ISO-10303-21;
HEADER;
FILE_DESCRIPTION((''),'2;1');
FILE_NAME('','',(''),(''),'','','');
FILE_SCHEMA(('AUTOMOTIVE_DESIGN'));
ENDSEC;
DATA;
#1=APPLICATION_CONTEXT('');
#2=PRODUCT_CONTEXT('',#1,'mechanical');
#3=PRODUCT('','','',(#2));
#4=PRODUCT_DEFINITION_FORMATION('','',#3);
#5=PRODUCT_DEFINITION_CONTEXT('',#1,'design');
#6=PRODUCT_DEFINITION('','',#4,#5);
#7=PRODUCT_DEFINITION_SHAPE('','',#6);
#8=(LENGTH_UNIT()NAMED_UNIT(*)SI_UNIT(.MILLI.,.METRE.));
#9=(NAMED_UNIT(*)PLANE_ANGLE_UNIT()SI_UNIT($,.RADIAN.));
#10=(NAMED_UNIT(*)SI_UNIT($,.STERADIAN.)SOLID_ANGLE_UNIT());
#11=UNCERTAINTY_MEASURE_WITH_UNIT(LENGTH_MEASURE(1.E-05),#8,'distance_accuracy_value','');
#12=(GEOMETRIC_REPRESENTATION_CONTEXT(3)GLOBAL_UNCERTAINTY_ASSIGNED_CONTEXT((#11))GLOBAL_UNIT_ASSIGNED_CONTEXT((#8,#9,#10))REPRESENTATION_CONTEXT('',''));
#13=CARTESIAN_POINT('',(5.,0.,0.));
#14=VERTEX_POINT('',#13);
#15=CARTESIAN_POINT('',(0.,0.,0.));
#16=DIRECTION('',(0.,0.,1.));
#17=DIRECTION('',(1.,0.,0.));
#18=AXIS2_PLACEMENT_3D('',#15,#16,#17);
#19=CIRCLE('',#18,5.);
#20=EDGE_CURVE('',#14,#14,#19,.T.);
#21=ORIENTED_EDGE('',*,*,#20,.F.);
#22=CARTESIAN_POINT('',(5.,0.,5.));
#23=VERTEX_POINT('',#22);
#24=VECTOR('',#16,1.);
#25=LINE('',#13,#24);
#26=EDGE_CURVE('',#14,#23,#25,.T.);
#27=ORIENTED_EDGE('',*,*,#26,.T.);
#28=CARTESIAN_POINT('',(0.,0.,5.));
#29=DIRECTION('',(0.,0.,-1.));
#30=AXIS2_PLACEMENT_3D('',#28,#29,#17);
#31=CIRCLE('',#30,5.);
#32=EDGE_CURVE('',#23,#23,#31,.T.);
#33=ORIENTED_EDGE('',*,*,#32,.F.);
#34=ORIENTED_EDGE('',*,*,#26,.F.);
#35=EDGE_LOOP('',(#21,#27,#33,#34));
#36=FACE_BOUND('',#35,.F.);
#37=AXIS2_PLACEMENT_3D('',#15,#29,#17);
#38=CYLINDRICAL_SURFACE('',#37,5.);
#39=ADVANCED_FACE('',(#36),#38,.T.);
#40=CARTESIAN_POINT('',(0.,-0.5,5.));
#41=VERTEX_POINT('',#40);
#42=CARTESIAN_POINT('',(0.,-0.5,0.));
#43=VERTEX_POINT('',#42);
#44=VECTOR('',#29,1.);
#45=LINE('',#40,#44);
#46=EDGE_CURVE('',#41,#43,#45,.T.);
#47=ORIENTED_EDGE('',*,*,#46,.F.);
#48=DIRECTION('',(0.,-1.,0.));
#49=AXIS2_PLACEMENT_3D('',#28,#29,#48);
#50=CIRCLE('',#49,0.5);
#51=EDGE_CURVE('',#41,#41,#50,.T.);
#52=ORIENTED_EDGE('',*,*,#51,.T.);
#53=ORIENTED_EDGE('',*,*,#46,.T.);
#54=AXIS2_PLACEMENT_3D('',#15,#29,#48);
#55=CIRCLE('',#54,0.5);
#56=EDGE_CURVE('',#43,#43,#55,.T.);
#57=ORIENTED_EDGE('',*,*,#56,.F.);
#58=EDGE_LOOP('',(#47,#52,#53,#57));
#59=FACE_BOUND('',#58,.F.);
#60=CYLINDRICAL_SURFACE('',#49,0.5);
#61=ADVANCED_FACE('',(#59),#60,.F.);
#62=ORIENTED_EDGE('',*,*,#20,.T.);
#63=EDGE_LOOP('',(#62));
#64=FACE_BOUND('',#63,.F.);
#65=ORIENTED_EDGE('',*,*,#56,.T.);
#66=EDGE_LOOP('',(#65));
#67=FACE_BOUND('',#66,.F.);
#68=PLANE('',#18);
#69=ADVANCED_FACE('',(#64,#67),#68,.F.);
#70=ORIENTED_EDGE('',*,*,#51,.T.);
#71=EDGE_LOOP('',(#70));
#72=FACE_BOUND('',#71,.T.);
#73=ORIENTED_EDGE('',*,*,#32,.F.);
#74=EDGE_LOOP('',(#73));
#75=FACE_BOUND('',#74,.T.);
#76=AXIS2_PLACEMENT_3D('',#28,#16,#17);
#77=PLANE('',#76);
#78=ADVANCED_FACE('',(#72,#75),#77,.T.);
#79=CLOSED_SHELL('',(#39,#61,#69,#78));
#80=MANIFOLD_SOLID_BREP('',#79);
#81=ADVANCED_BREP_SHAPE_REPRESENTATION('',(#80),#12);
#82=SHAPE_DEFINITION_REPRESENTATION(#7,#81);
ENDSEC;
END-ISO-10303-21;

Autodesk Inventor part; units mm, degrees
ref_plane "YZ Plane" through (0, 0, 0) normal (1, 0, 0) x (0, 1, 0)
ref_plane "XZ Plane" through (0, 0, 0) normal (0, 1, 0) x (-1, 0, 0)
ref_plane "XY Plane" through (0, 0, 0) normal (0, 0, 1) x (1, 0, 0)
sketch "Sketch1" plane through (0, 0, 0) normal (0, 0, 1) x (1, 0, 0)
  line L0 (-7, 0) -> (7, 0) projected
  line L1 (0, -7) -> (0, 7) projected
  circle A0 centre (0, 0) radius 5
  dimension "d0" = 10
extrude "Extrusion1" add sketch "Sketch1" along normal blind 5
sketch "Sketch2" plane through (0, 0, 5) normal (0, 0, 1) x (1, 0, 0)
  circle A0 centre (0, 0) radius 5 projected
  line L0 (-7, 0) -> (7, 0) projected
  line L1 (0, -7) -> (0, 7) projected
  circle A1 centre (0, 0) radius 0.5
  dimension "d3" = 1
hole "Hole1" at (0, 0, 5) direction (0, 0, -1) diameter 1 depth 8
properties part number "Rubber Stopper"
